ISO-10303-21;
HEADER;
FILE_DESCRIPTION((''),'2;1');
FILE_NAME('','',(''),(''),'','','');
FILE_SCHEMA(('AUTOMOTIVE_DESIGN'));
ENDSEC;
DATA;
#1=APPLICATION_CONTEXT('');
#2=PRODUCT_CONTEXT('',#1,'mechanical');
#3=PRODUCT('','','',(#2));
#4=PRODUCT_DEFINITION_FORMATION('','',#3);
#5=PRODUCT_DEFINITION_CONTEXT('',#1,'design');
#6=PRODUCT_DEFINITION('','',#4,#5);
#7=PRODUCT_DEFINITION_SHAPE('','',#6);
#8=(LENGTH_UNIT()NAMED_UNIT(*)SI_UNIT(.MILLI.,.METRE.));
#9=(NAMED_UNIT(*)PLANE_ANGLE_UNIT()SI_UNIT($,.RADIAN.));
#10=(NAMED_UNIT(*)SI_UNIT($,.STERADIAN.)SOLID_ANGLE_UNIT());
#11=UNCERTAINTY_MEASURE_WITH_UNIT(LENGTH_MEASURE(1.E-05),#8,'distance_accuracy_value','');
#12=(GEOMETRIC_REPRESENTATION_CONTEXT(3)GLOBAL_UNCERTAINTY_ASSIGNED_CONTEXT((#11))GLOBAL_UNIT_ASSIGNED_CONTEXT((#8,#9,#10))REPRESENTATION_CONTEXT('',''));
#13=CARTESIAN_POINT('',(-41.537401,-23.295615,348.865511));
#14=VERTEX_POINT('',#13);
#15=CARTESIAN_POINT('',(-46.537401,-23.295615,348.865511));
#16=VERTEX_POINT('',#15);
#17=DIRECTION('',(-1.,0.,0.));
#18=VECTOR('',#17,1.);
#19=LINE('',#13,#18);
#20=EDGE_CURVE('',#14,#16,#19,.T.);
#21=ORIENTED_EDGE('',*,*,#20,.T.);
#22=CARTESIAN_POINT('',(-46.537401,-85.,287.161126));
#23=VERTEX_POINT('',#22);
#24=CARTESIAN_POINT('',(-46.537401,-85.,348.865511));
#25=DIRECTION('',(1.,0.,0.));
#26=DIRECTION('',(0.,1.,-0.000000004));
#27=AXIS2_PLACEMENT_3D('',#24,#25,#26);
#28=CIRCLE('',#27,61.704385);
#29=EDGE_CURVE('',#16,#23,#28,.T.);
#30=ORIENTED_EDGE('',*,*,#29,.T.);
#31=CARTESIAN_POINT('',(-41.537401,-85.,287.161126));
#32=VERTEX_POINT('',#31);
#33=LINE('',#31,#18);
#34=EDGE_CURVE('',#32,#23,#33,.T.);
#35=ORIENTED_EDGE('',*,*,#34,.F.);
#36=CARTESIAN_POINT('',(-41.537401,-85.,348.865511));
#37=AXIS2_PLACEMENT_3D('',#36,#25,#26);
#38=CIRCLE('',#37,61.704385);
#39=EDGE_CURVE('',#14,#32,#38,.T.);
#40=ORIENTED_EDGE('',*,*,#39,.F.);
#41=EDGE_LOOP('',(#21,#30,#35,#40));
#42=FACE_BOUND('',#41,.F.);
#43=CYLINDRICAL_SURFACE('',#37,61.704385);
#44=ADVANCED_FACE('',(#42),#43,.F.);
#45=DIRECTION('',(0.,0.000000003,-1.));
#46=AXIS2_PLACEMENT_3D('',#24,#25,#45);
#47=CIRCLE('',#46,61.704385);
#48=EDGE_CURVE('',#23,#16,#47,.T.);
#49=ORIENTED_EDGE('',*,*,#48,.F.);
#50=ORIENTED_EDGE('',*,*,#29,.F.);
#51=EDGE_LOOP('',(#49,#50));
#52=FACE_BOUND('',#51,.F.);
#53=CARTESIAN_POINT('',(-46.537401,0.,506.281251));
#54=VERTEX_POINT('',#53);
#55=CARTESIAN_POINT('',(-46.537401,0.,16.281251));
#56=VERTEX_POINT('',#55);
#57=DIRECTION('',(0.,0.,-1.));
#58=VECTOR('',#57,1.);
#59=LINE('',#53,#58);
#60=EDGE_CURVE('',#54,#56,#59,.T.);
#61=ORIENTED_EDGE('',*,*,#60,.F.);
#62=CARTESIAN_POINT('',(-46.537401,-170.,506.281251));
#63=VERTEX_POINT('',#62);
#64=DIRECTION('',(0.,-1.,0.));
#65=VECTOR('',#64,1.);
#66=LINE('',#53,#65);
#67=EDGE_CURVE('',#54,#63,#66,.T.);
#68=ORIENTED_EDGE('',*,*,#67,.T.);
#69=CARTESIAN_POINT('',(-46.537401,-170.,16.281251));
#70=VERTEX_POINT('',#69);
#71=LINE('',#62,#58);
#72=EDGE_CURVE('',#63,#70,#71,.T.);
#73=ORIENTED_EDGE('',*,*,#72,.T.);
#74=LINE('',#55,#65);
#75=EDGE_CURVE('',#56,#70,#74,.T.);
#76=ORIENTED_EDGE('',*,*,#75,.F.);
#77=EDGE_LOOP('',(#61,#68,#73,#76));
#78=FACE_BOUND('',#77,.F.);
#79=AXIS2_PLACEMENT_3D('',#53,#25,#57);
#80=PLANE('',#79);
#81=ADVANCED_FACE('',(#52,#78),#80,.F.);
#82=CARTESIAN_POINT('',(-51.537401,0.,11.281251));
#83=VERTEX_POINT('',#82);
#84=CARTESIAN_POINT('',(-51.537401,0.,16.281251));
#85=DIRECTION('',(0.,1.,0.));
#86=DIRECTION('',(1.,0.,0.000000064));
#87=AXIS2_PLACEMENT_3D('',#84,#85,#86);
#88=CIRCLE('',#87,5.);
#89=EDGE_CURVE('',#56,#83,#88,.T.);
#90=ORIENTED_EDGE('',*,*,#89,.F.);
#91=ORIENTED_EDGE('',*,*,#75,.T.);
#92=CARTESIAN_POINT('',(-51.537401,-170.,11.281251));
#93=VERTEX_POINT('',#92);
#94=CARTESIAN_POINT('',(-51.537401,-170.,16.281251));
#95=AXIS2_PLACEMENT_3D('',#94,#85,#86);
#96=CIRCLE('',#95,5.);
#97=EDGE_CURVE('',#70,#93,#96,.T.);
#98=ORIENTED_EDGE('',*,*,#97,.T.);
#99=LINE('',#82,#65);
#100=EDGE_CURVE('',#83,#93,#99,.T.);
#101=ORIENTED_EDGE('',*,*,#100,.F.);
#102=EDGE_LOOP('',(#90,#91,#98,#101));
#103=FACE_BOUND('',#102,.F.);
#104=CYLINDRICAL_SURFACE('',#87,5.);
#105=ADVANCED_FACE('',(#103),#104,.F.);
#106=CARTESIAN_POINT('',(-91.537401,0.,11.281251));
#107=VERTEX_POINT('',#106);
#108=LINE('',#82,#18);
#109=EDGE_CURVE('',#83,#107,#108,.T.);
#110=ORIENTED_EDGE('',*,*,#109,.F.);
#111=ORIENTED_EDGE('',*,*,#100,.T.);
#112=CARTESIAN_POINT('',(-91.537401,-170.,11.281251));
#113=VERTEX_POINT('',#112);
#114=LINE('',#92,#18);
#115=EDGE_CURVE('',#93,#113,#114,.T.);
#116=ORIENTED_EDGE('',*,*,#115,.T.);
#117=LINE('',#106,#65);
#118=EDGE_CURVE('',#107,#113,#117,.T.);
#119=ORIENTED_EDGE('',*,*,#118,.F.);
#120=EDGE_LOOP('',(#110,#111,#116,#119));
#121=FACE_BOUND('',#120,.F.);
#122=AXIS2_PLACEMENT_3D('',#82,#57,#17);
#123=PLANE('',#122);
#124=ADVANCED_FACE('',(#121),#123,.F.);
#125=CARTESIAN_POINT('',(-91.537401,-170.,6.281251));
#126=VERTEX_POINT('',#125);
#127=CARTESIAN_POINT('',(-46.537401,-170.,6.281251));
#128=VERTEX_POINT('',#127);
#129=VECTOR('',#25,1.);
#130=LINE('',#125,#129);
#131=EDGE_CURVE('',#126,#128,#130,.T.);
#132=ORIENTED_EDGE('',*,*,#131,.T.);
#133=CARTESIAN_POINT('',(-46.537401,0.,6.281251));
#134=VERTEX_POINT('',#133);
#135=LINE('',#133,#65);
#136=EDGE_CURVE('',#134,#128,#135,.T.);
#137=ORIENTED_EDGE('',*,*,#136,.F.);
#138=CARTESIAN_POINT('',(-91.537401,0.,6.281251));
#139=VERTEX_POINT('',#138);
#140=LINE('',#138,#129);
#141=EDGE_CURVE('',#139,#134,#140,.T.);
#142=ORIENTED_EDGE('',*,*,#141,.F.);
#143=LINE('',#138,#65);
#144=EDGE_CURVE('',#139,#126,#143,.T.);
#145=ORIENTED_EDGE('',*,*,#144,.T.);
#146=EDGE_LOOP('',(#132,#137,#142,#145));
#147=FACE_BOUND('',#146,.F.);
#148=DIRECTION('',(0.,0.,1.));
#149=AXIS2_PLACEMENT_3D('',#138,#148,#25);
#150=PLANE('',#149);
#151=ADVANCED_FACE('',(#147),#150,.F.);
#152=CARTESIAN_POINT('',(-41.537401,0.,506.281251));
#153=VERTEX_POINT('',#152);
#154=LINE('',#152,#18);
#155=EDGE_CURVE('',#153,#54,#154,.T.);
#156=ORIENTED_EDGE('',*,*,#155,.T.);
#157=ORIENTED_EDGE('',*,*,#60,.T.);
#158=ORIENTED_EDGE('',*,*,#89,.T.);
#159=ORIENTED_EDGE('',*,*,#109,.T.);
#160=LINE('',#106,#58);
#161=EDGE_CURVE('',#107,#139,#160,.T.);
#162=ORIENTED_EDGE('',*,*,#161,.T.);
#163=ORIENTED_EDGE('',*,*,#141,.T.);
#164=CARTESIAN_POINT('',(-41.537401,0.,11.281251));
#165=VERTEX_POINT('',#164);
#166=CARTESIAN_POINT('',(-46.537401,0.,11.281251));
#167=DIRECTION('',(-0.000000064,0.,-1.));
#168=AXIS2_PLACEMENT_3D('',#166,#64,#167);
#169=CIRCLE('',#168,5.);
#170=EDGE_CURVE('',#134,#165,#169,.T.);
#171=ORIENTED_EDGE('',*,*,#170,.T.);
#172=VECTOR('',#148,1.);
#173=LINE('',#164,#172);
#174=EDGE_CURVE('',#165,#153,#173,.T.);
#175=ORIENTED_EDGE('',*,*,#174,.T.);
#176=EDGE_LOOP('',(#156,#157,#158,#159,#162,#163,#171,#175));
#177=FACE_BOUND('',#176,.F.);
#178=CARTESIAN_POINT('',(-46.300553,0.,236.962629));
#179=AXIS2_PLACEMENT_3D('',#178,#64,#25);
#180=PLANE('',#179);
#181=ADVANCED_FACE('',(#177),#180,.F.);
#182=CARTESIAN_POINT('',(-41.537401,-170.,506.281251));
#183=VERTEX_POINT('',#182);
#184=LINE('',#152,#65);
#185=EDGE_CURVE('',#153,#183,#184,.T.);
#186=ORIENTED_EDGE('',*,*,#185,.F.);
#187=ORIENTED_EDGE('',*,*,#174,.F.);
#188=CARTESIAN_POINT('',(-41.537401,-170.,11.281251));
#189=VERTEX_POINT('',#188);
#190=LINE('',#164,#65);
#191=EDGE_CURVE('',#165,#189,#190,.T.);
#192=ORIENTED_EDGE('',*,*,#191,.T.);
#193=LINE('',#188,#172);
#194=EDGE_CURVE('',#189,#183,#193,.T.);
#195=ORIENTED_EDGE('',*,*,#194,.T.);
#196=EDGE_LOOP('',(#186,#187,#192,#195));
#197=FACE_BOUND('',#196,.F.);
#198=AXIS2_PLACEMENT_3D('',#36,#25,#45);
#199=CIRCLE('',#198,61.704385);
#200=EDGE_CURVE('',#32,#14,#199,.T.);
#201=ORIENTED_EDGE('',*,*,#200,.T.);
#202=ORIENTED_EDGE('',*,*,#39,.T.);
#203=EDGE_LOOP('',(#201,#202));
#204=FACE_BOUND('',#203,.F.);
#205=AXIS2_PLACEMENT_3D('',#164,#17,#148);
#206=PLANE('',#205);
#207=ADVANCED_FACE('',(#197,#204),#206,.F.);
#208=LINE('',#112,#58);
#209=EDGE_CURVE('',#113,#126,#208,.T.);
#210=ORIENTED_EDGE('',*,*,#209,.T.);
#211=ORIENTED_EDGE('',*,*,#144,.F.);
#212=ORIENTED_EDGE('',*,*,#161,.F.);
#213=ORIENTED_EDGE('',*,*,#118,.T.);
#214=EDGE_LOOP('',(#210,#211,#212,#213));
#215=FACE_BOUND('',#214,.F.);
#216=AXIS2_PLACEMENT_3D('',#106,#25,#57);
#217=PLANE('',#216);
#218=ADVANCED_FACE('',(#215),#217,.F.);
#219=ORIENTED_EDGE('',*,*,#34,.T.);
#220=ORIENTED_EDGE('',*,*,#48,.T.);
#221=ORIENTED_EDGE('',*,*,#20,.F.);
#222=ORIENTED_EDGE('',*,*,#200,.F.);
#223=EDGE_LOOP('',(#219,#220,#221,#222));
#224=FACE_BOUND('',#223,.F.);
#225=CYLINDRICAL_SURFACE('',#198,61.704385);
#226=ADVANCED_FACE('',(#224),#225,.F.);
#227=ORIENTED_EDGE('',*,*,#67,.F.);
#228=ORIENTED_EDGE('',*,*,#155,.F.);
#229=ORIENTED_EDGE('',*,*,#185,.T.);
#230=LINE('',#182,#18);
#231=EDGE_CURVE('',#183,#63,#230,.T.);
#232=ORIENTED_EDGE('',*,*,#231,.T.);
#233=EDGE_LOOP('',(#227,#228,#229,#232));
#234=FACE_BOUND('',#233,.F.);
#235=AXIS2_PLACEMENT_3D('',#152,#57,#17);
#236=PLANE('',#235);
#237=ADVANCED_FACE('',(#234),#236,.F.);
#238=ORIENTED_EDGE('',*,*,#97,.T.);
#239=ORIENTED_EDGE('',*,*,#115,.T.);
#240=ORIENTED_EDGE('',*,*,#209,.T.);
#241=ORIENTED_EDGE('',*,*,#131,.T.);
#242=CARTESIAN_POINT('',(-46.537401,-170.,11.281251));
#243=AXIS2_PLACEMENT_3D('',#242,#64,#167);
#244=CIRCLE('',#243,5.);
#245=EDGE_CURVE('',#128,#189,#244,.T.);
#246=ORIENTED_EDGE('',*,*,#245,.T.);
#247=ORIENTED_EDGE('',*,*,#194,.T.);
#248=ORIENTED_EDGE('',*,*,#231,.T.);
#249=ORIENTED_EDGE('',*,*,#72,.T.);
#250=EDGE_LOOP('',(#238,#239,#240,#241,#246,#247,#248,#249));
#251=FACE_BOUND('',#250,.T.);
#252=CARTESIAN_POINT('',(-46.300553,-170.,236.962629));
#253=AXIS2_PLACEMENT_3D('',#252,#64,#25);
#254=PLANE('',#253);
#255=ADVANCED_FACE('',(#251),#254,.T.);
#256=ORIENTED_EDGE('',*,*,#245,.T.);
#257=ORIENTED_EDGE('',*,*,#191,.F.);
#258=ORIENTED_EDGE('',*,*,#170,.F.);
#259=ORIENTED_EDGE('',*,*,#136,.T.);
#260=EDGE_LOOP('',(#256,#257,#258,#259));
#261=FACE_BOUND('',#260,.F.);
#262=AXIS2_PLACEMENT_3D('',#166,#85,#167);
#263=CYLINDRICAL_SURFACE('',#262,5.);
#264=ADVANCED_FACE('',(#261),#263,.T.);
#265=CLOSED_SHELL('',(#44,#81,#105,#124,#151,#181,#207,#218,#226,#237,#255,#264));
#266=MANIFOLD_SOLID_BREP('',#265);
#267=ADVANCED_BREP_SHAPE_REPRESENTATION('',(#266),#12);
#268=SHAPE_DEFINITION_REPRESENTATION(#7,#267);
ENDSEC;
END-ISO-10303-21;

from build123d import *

# Parameters (mm, degrees)
F1_DEPTH = 170
F3_DEPTH = 5


with BuildPart() as f1:
    # F0 (on Front) → F1 (new body)
    with BuildSketch(Plane.XZ):
        with BuildLine():
            Line((-41.537401, 11.281251), (-41.537401, 506.281251))
            Line((-41.537401, 506.281251), (-46.537401, 506.281251))
            Line((-46.537401, 506.281251), (-46.537401, 16.281251))
            ThreePointArc((-46.537401, 16.281251), (-48.001867, 12.745717), (-51.537401, 11.281251))
            Line((-51.537401, 11.281251), (-91.537401, 11.281251))
            Line((-91.537401, 11.281251), (-91.537401, 6.281251))
            Line((-91.537401, 6.281251), (-46.537401, 6.281251))
            ThreePointArc((-46.537401, 6.281251), (-43.001867, 7.745717), (-41.537401, 11.281251))
        make_face()
    extrude(amount=F1_DEPTH)

    # F2 (on face) → F3 (cut)
    with BuildSketch(Plane.YZ.offset(-41.537401)):
        with BuildLine():
            ThreePointArc((-23.295615, 348.865511), (-128.631589, 392.497101), (-85, 287.161126))
            ThreePointArc((-85, 287.161126), (-41.368411, 305.233922), (-23.295615, 348.865511))
        make_face()
    extrude(amount=-F3_DEPTH, mode=Mode.SUBTRACT)


solid = f1.part
